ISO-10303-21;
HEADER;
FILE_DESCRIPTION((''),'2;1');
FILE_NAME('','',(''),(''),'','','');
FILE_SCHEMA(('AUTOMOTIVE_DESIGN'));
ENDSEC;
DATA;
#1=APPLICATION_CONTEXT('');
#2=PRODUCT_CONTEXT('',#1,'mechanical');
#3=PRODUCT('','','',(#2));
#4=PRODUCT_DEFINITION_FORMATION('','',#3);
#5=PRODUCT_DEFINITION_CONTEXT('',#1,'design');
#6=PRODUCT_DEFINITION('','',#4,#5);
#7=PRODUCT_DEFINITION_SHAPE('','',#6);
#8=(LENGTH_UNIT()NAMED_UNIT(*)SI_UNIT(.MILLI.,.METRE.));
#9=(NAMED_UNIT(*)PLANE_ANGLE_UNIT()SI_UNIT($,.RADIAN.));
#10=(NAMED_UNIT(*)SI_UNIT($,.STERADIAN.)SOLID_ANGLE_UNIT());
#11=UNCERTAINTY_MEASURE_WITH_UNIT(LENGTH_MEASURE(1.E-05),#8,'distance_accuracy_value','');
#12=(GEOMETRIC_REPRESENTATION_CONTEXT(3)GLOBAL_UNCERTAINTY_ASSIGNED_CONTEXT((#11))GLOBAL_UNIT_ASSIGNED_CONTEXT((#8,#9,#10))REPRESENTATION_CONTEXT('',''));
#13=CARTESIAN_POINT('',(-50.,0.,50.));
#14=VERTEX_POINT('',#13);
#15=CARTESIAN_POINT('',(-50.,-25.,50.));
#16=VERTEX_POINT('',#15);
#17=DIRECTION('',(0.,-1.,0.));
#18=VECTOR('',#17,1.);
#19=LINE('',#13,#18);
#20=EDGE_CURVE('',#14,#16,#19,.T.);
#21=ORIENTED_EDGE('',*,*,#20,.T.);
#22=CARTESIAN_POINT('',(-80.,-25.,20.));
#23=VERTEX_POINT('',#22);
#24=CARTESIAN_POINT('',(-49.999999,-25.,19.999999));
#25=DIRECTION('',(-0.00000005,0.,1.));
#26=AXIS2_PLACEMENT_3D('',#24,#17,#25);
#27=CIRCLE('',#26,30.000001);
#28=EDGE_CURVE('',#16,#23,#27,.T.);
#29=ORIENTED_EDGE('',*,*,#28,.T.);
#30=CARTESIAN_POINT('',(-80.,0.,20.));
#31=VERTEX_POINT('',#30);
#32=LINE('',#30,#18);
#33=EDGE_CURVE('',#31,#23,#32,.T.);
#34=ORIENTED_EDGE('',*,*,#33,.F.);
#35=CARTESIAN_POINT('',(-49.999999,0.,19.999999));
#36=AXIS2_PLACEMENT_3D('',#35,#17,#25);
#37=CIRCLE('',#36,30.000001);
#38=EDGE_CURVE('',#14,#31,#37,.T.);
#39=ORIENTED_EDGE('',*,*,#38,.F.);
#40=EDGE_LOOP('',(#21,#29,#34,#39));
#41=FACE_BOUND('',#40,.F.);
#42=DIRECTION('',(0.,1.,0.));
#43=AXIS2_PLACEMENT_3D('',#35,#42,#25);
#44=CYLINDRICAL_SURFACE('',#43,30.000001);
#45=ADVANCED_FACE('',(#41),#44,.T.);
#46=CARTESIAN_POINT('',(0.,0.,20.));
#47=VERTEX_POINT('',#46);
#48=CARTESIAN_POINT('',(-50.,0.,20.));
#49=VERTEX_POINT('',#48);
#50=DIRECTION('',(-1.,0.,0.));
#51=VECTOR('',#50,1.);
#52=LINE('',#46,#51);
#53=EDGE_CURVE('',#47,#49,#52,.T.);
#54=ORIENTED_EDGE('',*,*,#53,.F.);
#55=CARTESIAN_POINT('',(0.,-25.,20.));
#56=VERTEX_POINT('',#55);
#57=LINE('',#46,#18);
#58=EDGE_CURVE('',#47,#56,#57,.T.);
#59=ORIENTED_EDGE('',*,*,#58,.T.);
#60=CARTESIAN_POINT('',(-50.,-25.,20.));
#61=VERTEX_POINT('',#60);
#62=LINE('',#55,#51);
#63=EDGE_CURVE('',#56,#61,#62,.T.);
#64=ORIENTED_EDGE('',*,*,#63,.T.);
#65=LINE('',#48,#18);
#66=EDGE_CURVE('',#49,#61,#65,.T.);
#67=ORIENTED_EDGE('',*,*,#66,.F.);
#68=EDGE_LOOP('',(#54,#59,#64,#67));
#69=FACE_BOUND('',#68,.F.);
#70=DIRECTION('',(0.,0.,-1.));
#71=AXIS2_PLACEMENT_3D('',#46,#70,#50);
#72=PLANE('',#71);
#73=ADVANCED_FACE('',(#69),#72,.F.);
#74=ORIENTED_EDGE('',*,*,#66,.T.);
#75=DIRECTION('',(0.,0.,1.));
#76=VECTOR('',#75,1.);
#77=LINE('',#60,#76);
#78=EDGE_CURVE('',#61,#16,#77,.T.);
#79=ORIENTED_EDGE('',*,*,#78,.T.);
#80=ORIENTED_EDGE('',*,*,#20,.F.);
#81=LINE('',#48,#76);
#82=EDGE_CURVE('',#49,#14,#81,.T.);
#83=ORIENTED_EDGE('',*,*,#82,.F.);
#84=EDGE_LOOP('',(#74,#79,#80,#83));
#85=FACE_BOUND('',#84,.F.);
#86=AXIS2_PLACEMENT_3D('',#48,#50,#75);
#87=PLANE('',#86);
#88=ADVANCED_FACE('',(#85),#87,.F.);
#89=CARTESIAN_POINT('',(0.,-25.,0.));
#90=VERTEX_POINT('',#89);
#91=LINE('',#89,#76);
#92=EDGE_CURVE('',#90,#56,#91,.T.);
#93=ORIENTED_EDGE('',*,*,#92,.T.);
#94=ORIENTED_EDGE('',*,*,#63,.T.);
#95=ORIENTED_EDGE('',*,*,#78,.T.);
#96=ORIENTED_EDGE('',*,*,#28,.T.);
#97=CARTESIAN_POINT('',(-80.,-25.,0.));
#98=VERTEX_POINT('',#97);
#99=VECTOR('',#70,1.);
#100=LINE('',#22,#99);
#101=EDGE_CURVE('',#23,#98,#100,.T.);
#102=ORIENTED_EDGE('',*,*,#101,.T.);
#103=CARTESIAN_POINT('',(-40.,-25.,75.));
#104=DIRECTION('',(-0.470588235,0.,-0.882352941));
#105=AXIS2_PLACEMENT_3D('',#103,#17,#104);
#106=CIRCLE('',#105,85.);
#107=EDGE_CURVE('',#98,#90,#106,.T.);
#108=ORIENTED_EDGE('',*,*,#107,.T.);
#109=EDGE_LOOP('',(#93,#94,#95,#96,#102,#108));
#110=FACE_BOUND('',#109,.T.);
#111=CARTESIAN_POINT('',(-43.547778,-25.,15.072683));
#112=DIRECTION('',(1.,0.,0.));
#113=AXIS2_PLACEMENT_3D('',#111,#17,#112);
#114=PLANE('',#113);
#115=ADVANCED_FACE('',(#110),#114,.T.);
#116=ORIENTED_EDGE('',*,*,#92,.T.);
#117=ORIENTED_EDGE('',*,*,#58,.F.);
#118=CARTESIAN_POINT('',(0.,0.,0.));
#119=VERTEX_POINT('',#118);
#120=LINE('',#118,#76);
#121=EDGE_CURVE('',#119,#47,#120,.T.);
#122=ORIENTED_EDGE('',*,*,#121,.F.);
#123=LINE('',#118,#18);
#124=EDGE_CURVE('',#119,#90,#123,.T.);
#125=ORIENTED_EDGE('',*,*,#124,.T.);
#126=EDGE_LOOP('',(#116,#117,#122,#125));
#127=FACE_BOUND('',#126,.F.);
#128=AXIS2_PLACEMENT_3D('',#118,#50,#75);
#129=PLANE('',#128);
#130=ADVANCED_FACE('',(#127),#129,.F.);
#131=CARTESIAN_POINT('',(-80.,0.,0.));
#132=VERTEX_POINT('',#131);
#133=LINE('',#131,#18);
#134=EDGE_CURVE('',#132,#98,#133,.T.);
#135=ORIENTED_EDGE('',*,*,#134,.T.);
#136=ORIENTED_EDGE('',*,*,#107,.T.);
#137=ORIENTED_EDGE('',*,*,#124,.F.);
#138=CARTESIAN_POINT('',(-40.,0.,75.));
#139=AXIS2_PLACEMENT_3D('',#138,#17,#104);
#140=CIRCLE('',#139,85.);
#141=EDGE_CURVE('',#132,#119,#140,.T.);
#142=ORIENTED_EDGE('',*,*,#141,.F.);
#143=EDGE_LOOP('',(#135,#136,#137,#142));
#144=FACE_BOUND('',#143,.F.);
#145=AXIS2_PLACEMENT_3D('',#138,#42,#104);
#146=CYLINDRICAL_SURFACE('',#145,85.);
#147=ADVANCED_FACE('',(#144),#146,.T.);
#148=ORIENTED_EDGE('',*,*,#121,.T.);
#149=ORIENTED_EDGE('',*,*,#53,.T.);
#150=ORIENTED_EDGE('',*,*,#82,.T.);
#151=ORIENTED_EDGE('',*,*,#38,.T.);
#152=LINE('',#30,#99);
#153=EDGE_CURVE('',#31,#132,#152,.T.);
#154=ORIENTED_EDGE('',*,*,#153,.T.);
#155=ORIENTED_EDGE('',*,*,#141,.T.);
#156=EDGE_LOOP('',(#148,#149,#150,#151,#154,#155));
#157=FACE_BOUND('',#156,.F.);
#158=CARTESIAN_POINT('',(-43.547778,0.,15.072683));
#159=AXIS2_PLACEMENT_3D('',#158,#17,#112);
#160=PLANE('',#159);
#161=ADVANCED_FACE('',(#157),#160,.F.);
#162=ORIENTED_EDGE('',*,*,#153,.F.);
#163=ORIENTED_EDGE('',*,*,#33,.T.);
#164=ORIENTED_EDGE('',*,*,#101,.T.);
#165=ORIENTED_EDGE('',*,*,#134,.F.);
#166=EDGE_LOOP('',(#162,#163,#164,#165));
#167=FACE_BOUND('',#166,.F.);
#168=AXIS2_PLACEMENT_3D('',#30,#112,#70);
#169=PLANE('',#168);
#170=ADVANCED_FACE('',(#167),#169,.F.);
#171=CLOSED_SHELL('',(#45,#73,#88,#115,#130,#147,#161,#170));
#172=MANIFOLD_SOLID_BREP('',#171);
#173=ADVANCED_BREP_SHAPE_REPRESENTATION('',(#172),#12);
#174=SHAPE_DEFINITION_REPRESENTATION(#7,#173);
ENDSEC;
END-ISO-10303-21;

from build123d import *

# Parameters (mm, degrees)
F1_DEPTH = 25


with BuildPart() as f1:
    # F0 (on Front) → F1 (new body)
    with BuildSketch(Plane.XZ):
        with BuildLine():
            Line((0, 20), (-50, 20))
            Line((-50, 20), (-50, 50))
            ThreePointArc((-50, 50), (-71.213203, 41.213203), (-80, 20))
            Line((-80, 20), (-80, 0))
            ThreePointArc((-80, 0), (-40, -10), (0, 0))
            Line((0, 0), (0, 20))
        make_face()
    extrude(amount=F1_DEPTH)


solid = f1.part
